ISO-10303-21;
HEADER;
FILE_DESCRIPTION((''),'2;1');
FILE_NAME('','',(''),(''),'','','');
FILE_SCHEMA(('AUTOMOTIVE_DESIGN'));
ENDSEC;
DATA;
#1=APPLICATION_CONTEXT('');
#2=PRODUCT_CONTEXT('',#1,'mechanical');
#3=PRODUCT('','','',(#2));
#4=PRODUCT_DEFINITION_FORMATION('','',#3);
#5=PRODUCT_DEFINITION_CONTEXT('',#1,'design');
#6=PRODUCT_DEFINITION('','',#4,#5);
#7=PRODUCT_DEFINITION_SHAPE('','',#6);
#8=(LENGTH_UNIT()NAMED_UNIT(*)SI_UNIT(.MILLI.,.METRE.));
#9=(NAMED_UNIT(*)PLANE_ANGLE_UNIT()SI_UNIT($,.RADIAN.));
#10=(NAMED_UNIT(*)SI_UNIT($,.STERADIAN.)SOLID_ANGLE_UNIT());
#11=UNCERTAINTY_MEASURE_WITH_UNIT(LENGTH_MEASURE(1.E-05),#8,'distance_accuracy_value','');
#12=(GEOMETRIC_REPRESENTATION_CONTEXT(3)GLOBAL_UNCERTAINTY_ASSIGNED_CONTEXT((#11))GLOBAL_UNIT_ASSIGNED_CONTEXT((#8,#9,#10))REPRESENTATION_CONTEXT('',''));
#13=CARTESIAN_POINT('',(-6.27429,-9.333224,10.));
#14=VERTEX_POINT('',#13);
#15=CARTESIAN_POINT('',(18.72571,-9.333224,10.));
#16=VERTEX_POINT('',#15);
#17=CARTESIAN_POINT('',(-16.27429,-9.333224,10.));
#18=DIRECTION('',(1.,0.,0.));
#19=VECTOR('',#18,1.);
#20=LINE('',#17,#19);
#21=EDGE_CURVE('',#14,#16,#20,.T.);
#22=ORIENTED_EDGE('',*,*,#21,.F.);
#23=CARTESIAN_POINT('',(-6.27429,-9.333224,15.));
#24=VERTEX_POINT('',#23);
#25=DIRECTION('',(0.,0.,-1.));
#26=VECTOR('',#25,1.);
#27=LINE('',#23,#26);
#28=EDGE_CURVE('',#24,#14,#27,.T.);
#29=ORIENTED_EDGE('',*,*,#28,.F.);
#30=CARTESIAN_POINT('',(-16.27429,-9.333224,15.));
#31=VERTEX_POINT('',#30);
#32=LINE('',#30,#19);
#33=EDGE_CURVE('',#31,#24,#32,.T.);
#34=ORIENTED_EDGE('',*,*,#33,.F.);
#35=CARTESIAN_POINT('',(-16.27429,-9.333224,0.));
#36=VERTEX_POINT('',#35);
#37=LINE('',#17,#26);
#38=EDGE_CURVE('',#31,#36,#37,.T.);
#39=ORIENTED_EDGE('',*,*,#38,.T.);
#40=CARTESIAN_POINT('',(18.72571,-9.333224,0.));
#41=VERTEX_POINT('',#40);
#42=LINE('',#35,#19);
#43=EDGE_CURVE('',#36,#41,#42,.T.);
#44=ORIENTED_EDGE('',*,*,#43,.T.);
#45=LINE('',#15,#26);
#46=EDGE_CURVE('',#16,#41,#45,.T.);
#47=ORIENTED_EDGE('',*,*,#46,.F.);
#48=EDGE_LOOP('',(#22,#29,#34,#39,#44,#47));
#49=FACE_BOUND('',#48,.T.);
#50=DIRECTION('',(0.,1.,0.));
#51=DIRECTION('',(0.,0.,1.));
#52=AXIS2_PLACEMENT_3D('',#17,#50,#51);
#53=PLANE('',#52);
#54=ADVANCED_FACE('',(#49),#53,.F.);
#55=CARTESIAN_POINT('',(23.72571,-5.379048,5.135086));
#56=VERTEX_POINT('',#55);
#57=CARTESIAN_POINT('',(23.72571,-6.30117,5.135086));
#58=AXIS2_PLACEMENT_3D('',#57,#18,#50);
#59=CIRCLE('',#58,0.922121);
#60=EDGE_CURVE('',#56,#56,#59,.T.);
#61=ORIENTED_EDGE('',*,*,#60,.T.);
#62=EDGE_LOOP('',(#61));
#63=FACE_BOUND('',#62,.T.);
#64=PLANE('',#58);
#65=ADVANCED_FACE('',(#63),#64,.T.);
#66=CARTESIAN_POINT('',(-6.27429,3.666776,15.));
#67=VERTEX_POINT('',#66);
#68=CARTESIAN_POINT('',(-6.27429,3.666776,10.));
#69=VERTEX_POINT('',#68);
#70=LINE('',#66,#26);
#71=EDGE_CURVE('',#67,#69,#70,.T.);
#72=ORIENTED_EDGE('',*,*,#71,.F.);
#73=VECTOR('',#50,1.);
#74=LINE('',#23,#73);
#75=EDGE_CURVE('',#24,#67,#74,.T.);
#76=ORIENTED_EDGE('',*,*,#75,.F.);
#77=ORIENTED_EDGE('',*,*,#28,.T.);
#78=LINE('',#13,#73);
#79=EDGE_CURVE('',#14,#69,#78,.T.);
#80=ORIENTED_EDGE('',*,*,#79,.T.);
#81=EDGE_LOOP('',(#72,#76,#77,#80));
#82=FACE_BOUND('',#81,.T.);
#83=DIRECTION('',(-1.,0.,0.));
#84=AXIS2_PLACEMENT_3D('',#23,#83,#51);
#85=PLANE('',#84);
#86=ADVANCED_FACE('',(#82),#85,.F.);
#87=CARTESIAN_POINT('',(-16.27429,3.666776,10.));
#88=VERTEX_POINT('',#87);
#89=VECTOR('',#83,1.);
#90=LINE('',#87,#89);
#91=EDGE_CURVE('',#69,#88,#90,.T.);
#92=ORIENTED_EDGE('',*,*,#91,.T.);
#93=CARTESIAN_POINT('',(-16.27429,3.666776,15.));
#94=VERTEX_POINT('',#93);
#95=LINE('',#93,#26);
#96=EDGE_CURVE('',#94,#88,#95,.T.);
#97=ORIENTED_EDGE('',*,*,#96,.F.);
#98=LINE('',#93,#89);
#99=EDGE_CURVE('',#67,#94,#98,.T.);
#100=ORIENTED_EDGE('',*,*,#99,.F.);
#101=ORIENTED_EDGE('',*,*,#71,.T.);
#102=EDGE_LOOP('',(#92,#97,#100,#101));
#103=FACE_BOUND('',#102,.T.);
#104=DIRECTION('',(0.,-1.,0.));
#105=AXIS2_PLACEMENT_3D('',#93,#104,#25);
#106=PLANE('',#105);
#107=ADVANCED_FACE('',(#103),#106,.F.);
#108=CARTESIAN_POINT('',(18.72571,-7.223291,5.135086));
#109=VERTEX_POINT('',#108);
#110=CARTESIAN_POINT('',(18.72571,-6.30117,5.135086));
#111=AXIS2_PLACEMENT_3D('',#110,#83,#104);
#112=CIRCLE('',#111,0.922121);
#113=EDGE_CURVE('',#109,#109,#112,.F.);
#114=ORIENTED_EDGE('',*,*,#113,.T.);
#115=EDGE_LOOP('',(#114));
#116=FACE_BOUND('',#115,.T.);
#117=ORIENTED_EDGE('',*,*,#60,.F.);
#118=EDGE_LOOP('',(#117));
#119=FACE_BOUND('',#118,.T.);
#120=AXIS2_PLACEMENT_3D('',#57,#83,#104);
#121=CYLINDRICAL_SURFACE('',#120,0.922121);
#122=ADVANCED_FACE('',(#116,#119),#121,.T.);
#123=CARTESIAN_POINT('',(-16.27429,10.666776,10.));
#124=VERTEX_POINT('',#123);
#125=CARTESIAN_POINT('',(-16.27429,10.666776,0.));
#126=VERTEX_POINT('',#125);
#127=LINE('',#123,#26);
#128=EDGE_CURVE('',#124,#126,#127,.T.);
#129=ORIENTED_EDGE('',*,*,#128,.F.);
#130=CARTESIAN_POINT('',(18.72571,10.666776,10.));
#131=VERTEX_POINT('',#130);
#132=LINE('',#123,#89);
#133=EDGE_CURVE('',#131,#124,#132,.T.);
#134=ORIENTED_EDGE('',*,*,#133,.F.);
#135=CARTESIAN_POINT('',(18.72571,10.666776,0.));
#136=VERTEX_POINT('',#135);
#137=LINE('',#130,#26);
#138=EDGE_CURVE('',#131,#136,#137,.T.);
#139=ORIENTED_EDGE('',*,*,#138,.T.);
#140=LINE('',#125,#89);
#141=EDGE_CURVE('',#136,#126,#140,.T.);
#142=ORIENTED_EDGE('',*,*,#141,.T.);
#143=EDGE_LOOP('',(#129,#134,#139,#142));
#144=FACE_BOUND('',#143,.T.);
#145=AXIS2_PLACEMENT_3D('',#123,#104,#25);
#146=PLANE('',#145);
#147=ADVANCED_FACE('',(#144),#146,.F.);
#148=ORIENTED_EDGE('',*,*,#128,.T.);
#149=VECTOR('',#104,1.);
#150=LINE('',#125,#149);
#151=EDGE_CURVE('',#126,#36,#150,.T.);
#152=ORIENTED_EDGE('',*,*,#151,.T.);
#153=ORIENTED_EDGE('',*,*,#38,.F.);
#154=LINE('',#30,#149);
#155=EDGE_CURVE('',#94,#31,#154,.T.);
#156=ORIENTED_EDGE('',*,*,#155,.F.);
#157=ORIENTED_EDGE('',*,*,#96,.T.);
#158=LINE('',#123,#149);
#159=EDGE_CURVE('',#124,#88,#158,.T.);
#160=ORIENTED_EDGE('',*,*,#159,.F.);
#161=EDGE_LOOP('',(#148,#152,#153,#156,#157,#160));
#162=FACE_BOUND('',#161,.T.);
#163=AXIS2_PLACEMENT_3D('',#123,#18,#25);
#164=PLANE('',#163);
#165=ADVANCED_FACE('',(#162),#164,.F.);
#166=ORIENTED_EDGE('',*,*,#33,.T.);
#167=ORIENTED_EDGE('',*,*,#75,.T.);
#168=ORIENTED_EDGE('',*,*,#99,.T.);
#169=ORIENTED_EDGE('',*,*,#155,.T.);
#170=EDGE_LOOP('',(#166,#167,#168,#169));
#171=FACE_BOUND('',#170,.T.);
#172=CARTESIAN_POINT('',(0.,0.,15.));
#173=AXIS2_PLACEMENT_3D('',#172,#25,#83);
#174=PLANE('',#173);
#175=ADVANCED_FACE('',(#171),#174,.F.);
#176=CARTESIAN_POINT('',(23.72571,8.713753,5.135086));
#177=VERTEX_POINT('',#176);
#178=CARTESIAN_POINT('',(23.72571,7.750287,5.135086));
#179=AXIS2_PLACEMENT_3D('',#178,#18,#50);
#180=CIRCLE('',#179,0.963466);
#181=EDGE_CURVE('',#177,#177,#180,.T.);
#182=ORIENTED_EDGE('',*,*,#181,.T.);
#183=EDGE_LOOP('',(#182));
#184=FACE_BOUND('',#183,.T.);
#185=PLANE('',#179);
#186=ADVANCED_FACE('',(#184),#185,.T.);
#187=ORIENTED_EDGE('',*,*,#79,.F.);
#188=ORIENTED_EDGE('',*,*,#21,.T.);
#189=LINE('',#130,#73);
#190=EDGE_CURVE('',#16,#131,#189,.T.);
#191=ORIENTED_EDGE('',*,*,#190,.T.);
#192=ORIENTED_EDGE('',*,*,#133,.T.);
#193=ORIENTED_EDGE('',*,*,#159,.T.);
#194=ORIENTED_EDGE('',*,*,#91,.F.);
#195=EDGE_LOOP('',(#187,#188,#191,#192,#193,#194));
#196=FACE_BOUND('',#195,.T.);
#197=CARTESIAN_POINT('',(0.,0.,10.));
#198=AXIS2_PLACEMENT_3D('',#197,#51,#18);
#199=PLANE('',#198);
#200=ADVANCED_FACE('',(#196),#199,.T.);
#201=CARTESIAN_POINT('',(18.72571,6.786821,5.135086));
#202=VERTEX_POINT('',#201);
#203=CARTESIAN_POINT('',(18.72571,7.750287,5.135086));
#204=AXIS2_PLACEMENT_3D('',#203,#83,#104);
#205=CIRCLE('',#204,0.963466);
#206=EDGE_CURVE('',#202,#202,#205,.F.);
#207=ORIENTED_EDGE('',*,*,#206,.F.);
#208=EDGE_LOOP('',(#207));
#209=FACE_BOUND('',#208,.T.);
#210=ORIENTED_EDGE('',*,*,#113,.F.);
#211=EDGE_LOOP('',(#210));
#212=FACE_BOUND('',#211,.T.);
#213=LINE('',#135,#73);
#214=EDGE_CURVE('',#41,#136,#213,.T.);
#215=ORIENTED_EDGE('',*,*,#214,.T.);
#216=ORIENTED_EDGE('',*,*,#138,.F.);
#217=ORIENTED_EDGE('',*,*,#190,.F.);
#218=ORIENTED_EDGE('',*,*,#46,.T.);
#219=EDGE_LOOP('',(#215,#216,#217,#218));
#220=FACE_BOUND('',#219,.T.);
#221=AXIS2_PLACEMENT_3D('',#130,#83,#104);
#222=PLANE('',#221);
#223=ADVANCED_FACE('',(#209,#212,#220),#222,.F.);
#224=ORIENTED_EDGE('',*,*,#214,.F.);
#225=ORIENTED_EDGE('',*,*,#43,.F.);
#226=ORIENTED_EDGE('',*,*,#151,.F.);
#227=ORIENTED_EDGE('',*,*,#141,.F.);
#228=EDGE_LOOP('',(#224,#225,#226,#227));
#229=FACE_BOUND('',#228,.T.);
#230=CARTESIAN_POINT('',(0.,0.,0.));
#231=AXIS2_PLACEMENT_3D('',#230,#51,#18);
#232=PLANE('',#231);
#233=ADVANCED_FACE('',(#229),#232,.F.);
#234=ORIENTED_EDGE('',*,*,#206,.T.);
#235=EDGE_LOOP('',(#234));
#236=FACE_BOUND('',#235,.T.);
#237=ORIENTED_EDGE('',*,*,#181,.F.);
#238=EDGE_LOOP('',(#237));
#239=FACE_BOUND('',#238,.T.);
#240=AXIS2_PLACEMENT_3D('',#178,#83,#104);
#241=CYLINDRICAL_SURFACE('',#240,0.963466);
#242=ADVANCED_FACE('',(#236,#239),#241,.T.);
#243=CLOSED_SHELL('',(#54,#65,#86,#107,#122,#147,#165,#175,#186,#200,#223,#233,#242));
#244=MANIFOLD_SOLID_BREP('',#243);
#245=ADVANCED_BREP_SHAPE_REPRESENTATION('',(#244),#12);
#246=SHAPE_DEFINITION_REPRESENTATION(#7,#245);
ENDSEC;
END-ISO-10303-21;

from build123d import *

# Parameters (mm, degrees)
ESBO_O1_W                = 35
ESBO_O1_H                = 20
RESSALTO_EXTRUS_O1_DEPTH = 10
ESBO_O2_W                = 10
ESBO_O2_H                = 13
RESSALTO_EXTRUS_O2_DEPTH = 5
ESBO_O3_R                = 0.922121428
ESBO_O3_R_2              = 0.963466347
RESSALTO_EXTRUS_O3_DEPTH = 5


with BuildPart() as part:
    # Esboço1 → Ressalto-extrusão1 (new body)
    with BuildSketch(Plane.XY):
        with Locations((1.225709868, 0.66677589)):
            Rectangle(ESBO_O1_W, ESBO_O1_H)
    extrude(amount=RESSALTO_EXTRUS_O1_DEPTH)

    # Esboço2 → Ressalto-extrusão2 (add)
    with BuildSketch(Plane.XY.offset(10)):
        with Locations((-11.274290132, -2.83322411)):
            Rectangle(ESBO_O2_W, ESBO_O2_H)
    extrude(amount=RESSALTO_EXTRUS_O2_DEPTH)

    # Esboço3 → Ressalto-extrusão3 (add)
    with BuildSketch(Plane(origin=(18.725709868, 0, 0), x_dir=(0, 0, -1), z_dir=(1, 0, 0))):
        with Locations((-5.13508621, -6.301169804)):
            Circle(ESBO_O3_R)
        with Locations((-5.13508621, 7.750286856)):
            Circle(ESBO_O3_R_2)
    extrude(amount=RESSALTO_EXTRUS_O3_DEPTH)


solid = part.part
